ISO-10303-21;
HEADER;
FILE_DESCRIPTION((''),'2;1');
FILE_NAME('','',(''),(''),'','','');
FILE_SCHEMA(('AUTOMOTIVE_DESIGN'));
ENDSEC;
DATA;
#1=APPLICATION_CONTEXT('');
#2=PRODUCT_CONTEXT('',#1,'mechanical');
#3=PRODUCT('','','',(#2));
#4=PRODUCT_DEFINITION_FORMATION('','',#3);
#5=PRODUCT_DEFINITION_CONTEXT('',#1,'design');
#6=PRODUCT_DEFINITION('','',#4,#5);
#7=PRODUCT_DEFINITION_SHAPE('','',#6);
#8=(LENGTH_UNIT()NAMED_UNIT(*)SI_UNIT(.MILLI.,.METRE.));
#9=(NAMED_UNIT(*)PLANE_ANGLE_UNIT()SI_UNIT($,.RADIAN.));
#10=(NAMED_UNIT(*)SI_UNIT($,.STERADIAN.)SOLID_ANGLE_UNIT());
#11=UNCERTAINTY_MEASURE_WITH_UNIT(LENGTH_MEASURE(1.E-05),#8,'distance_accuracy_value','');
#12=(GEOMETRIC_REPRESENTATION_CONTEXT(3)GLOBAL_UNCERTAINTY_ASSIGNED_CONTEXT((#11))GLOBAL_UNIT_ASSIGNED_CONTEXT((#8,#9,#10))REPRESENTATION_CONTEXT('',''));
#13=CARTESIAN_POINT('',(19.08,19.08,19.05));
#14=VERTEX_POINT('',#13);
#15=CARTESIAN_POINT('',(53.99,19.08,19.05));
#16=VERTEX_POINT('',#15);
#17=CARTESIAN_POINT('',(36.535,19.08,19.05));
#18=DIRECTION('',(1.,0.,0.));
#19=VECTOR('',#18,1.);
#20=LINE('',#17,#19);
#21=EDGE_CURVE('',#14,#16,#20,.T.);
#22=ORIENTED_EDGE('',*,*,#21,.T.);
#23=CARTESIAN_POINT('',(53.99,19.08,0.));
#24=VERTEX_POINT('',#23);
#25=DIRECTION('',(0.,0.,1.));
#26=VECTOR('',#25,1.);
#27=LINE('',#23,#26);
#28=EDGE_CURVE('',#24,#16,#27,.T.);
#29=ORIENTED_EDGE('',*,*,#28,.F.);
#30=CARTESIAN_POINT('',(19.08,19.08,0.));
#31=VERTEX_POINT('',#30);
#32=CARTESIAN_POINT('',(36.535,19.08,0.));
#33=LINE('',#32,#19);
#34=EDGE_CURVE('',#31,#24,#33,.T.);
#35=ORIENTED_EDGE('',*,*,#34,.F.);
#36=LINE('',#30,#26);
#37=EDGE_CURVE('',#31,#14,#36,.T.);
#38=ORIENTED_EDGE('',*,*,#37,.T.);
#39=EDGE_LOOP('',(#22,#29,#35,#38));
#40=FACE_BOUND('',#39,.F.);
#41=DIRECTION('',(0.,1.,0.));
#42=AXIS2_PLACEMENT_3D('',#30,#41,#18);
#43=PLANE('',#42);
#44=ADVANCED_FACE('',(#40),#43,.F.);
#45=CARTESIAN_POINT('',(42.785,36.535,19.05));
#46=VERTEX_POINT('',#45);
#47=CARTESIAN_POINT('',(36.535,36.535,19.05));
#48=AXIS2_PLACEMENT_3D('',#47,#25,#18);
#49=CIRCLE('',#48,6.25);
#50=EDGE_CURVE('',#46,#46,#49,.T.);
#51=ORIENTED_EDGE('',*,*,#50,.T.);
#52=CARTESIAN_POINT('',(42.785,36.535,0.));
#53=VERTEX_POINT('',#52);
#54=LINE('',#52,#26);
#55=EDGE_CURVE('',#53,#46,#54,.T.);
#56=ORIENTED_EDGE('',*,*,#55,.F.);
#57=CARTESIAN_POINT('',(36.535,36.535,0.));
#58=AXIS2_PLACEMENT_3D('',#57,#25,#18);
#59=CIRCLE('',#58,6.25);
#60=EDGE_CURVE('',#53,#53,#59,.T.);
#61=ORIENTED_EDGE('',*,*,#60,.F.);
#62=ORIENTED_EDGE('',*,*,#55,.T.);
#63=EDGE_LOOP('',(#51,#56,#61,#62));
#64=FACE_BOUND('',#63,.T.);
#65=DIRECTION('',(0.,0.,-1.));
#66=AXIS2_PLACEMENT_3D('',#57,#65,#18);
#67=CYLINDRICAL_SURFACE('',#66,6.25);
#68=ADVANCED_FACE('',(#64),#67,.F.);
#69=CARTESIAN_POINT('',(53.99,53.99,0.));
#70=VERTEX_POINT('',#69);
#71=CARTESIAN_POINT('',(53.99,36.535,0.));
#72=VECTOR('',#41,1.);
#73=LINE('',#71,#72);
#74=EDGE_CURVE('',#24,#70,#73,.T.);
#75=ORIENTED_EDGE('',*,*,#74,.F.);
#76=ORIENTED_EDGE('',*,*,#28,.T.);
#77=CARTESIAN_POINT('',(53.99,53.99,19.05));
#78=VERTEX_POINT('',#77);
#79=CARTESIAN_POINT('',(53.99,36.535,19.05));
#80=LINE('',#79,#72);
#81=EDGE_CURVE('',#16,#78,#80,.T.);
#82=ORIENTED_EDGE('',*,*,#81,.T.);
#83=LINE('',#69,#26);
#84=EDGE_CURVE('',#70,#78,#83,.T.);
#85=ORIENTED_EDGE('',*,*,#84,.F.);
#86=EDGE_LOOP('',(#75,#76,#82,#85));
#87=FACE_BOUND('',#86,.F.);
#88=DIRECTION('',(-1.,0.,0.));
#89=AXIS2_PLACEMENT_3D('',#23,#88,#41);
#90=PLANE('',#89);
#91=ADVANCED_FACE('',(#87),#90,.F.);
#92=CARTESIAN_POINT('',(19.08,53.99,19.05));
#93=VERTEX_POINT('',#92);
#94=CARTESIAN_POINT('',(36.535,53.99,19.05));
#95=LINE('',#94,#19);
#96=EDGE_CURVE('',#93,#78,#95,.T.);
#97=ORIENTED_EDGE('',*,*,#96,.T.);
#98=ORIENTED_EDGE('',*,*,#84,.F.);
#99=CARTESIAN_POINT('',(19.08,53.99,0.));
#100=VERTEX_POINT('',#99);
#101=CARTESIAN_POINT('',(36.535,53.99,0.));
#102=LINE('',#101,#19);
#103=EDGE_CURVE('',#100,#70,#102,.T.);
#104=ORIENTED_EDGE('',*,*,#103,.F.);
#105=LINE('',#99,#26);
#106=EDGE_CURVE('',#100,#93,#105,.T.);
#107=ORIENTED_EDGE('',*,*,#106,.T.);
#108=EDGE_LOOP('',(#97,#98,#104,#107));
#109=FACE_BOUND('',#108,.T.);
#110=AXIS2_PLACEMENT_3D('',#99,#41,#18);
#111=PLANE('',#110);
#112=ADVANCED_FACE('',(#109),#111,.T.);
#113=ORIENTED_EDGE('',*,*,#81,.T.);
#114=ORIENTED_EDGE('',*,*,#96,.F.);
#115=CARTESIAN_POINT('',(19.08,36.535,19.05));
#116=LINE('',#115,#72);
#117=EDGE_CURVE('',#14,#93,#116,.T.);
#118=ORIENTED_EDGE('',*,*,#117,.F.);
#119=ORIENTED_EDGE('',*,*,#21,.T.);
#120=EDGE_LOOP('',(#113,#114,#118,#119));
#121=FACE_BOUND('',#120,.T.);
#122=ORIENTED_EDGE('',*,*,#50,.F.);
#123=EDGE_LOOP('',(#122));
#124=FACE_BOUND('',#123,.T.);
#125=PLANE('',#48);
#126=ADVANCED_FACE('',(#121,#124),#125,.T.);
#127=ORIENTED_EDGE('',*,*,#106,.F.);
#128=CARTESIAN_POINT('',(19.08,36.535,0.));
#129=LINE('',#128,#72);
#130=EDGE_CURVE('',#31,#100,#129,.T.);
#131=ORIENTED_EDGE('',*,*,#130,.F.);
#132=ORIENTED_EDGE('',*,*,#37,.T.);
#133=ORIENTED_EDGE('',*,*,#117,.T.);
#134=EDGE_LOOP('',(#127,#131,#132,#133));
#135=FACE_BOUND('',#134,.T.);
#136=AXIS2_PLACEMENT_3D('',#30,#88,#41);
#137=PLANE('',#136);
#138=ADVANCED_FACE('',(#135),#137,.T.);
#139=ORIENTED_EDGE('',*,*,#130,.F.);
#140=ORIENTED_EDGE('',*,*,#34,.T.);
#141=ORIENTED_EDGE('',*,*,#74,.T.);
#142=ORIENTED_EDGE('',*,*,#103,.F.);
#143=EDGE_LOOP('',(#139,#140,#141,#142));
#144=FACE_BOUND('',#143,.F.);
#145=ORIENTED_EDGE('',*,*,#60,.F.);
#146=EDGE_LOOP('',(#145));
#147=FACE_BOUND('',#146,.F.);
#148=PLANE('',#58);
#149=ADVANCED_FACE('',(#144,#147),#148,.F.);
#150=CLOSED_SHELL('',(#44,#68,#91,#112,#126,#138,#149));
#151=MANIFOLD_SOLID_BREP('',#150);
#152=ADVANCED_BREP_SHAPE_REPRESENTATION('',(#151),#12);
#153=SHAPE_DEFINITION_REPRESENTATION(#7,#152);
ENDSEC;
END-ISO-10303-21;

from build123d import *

# Parameters (mm, degrees)
SKETCH_W  = 34.91
SKETCH_H  = 34.91
SKETCH_R  = 6.25
PAD_DEPTH = 19.05


with BuildPart() as part:
    # Sketch → Pad (new body)
    with BuildSketch(Plane.XY):
        with Locations((36.535, 36.535)):
            Rectangle(SKETCH_W, SKETCH_H)
        with Locations((36.535, 36.535)):
            Circle(SKETCH_R, mode=Mode.SUBTRACT)
    extrude(amount=PAD_DEPTH)


solid = part.part
